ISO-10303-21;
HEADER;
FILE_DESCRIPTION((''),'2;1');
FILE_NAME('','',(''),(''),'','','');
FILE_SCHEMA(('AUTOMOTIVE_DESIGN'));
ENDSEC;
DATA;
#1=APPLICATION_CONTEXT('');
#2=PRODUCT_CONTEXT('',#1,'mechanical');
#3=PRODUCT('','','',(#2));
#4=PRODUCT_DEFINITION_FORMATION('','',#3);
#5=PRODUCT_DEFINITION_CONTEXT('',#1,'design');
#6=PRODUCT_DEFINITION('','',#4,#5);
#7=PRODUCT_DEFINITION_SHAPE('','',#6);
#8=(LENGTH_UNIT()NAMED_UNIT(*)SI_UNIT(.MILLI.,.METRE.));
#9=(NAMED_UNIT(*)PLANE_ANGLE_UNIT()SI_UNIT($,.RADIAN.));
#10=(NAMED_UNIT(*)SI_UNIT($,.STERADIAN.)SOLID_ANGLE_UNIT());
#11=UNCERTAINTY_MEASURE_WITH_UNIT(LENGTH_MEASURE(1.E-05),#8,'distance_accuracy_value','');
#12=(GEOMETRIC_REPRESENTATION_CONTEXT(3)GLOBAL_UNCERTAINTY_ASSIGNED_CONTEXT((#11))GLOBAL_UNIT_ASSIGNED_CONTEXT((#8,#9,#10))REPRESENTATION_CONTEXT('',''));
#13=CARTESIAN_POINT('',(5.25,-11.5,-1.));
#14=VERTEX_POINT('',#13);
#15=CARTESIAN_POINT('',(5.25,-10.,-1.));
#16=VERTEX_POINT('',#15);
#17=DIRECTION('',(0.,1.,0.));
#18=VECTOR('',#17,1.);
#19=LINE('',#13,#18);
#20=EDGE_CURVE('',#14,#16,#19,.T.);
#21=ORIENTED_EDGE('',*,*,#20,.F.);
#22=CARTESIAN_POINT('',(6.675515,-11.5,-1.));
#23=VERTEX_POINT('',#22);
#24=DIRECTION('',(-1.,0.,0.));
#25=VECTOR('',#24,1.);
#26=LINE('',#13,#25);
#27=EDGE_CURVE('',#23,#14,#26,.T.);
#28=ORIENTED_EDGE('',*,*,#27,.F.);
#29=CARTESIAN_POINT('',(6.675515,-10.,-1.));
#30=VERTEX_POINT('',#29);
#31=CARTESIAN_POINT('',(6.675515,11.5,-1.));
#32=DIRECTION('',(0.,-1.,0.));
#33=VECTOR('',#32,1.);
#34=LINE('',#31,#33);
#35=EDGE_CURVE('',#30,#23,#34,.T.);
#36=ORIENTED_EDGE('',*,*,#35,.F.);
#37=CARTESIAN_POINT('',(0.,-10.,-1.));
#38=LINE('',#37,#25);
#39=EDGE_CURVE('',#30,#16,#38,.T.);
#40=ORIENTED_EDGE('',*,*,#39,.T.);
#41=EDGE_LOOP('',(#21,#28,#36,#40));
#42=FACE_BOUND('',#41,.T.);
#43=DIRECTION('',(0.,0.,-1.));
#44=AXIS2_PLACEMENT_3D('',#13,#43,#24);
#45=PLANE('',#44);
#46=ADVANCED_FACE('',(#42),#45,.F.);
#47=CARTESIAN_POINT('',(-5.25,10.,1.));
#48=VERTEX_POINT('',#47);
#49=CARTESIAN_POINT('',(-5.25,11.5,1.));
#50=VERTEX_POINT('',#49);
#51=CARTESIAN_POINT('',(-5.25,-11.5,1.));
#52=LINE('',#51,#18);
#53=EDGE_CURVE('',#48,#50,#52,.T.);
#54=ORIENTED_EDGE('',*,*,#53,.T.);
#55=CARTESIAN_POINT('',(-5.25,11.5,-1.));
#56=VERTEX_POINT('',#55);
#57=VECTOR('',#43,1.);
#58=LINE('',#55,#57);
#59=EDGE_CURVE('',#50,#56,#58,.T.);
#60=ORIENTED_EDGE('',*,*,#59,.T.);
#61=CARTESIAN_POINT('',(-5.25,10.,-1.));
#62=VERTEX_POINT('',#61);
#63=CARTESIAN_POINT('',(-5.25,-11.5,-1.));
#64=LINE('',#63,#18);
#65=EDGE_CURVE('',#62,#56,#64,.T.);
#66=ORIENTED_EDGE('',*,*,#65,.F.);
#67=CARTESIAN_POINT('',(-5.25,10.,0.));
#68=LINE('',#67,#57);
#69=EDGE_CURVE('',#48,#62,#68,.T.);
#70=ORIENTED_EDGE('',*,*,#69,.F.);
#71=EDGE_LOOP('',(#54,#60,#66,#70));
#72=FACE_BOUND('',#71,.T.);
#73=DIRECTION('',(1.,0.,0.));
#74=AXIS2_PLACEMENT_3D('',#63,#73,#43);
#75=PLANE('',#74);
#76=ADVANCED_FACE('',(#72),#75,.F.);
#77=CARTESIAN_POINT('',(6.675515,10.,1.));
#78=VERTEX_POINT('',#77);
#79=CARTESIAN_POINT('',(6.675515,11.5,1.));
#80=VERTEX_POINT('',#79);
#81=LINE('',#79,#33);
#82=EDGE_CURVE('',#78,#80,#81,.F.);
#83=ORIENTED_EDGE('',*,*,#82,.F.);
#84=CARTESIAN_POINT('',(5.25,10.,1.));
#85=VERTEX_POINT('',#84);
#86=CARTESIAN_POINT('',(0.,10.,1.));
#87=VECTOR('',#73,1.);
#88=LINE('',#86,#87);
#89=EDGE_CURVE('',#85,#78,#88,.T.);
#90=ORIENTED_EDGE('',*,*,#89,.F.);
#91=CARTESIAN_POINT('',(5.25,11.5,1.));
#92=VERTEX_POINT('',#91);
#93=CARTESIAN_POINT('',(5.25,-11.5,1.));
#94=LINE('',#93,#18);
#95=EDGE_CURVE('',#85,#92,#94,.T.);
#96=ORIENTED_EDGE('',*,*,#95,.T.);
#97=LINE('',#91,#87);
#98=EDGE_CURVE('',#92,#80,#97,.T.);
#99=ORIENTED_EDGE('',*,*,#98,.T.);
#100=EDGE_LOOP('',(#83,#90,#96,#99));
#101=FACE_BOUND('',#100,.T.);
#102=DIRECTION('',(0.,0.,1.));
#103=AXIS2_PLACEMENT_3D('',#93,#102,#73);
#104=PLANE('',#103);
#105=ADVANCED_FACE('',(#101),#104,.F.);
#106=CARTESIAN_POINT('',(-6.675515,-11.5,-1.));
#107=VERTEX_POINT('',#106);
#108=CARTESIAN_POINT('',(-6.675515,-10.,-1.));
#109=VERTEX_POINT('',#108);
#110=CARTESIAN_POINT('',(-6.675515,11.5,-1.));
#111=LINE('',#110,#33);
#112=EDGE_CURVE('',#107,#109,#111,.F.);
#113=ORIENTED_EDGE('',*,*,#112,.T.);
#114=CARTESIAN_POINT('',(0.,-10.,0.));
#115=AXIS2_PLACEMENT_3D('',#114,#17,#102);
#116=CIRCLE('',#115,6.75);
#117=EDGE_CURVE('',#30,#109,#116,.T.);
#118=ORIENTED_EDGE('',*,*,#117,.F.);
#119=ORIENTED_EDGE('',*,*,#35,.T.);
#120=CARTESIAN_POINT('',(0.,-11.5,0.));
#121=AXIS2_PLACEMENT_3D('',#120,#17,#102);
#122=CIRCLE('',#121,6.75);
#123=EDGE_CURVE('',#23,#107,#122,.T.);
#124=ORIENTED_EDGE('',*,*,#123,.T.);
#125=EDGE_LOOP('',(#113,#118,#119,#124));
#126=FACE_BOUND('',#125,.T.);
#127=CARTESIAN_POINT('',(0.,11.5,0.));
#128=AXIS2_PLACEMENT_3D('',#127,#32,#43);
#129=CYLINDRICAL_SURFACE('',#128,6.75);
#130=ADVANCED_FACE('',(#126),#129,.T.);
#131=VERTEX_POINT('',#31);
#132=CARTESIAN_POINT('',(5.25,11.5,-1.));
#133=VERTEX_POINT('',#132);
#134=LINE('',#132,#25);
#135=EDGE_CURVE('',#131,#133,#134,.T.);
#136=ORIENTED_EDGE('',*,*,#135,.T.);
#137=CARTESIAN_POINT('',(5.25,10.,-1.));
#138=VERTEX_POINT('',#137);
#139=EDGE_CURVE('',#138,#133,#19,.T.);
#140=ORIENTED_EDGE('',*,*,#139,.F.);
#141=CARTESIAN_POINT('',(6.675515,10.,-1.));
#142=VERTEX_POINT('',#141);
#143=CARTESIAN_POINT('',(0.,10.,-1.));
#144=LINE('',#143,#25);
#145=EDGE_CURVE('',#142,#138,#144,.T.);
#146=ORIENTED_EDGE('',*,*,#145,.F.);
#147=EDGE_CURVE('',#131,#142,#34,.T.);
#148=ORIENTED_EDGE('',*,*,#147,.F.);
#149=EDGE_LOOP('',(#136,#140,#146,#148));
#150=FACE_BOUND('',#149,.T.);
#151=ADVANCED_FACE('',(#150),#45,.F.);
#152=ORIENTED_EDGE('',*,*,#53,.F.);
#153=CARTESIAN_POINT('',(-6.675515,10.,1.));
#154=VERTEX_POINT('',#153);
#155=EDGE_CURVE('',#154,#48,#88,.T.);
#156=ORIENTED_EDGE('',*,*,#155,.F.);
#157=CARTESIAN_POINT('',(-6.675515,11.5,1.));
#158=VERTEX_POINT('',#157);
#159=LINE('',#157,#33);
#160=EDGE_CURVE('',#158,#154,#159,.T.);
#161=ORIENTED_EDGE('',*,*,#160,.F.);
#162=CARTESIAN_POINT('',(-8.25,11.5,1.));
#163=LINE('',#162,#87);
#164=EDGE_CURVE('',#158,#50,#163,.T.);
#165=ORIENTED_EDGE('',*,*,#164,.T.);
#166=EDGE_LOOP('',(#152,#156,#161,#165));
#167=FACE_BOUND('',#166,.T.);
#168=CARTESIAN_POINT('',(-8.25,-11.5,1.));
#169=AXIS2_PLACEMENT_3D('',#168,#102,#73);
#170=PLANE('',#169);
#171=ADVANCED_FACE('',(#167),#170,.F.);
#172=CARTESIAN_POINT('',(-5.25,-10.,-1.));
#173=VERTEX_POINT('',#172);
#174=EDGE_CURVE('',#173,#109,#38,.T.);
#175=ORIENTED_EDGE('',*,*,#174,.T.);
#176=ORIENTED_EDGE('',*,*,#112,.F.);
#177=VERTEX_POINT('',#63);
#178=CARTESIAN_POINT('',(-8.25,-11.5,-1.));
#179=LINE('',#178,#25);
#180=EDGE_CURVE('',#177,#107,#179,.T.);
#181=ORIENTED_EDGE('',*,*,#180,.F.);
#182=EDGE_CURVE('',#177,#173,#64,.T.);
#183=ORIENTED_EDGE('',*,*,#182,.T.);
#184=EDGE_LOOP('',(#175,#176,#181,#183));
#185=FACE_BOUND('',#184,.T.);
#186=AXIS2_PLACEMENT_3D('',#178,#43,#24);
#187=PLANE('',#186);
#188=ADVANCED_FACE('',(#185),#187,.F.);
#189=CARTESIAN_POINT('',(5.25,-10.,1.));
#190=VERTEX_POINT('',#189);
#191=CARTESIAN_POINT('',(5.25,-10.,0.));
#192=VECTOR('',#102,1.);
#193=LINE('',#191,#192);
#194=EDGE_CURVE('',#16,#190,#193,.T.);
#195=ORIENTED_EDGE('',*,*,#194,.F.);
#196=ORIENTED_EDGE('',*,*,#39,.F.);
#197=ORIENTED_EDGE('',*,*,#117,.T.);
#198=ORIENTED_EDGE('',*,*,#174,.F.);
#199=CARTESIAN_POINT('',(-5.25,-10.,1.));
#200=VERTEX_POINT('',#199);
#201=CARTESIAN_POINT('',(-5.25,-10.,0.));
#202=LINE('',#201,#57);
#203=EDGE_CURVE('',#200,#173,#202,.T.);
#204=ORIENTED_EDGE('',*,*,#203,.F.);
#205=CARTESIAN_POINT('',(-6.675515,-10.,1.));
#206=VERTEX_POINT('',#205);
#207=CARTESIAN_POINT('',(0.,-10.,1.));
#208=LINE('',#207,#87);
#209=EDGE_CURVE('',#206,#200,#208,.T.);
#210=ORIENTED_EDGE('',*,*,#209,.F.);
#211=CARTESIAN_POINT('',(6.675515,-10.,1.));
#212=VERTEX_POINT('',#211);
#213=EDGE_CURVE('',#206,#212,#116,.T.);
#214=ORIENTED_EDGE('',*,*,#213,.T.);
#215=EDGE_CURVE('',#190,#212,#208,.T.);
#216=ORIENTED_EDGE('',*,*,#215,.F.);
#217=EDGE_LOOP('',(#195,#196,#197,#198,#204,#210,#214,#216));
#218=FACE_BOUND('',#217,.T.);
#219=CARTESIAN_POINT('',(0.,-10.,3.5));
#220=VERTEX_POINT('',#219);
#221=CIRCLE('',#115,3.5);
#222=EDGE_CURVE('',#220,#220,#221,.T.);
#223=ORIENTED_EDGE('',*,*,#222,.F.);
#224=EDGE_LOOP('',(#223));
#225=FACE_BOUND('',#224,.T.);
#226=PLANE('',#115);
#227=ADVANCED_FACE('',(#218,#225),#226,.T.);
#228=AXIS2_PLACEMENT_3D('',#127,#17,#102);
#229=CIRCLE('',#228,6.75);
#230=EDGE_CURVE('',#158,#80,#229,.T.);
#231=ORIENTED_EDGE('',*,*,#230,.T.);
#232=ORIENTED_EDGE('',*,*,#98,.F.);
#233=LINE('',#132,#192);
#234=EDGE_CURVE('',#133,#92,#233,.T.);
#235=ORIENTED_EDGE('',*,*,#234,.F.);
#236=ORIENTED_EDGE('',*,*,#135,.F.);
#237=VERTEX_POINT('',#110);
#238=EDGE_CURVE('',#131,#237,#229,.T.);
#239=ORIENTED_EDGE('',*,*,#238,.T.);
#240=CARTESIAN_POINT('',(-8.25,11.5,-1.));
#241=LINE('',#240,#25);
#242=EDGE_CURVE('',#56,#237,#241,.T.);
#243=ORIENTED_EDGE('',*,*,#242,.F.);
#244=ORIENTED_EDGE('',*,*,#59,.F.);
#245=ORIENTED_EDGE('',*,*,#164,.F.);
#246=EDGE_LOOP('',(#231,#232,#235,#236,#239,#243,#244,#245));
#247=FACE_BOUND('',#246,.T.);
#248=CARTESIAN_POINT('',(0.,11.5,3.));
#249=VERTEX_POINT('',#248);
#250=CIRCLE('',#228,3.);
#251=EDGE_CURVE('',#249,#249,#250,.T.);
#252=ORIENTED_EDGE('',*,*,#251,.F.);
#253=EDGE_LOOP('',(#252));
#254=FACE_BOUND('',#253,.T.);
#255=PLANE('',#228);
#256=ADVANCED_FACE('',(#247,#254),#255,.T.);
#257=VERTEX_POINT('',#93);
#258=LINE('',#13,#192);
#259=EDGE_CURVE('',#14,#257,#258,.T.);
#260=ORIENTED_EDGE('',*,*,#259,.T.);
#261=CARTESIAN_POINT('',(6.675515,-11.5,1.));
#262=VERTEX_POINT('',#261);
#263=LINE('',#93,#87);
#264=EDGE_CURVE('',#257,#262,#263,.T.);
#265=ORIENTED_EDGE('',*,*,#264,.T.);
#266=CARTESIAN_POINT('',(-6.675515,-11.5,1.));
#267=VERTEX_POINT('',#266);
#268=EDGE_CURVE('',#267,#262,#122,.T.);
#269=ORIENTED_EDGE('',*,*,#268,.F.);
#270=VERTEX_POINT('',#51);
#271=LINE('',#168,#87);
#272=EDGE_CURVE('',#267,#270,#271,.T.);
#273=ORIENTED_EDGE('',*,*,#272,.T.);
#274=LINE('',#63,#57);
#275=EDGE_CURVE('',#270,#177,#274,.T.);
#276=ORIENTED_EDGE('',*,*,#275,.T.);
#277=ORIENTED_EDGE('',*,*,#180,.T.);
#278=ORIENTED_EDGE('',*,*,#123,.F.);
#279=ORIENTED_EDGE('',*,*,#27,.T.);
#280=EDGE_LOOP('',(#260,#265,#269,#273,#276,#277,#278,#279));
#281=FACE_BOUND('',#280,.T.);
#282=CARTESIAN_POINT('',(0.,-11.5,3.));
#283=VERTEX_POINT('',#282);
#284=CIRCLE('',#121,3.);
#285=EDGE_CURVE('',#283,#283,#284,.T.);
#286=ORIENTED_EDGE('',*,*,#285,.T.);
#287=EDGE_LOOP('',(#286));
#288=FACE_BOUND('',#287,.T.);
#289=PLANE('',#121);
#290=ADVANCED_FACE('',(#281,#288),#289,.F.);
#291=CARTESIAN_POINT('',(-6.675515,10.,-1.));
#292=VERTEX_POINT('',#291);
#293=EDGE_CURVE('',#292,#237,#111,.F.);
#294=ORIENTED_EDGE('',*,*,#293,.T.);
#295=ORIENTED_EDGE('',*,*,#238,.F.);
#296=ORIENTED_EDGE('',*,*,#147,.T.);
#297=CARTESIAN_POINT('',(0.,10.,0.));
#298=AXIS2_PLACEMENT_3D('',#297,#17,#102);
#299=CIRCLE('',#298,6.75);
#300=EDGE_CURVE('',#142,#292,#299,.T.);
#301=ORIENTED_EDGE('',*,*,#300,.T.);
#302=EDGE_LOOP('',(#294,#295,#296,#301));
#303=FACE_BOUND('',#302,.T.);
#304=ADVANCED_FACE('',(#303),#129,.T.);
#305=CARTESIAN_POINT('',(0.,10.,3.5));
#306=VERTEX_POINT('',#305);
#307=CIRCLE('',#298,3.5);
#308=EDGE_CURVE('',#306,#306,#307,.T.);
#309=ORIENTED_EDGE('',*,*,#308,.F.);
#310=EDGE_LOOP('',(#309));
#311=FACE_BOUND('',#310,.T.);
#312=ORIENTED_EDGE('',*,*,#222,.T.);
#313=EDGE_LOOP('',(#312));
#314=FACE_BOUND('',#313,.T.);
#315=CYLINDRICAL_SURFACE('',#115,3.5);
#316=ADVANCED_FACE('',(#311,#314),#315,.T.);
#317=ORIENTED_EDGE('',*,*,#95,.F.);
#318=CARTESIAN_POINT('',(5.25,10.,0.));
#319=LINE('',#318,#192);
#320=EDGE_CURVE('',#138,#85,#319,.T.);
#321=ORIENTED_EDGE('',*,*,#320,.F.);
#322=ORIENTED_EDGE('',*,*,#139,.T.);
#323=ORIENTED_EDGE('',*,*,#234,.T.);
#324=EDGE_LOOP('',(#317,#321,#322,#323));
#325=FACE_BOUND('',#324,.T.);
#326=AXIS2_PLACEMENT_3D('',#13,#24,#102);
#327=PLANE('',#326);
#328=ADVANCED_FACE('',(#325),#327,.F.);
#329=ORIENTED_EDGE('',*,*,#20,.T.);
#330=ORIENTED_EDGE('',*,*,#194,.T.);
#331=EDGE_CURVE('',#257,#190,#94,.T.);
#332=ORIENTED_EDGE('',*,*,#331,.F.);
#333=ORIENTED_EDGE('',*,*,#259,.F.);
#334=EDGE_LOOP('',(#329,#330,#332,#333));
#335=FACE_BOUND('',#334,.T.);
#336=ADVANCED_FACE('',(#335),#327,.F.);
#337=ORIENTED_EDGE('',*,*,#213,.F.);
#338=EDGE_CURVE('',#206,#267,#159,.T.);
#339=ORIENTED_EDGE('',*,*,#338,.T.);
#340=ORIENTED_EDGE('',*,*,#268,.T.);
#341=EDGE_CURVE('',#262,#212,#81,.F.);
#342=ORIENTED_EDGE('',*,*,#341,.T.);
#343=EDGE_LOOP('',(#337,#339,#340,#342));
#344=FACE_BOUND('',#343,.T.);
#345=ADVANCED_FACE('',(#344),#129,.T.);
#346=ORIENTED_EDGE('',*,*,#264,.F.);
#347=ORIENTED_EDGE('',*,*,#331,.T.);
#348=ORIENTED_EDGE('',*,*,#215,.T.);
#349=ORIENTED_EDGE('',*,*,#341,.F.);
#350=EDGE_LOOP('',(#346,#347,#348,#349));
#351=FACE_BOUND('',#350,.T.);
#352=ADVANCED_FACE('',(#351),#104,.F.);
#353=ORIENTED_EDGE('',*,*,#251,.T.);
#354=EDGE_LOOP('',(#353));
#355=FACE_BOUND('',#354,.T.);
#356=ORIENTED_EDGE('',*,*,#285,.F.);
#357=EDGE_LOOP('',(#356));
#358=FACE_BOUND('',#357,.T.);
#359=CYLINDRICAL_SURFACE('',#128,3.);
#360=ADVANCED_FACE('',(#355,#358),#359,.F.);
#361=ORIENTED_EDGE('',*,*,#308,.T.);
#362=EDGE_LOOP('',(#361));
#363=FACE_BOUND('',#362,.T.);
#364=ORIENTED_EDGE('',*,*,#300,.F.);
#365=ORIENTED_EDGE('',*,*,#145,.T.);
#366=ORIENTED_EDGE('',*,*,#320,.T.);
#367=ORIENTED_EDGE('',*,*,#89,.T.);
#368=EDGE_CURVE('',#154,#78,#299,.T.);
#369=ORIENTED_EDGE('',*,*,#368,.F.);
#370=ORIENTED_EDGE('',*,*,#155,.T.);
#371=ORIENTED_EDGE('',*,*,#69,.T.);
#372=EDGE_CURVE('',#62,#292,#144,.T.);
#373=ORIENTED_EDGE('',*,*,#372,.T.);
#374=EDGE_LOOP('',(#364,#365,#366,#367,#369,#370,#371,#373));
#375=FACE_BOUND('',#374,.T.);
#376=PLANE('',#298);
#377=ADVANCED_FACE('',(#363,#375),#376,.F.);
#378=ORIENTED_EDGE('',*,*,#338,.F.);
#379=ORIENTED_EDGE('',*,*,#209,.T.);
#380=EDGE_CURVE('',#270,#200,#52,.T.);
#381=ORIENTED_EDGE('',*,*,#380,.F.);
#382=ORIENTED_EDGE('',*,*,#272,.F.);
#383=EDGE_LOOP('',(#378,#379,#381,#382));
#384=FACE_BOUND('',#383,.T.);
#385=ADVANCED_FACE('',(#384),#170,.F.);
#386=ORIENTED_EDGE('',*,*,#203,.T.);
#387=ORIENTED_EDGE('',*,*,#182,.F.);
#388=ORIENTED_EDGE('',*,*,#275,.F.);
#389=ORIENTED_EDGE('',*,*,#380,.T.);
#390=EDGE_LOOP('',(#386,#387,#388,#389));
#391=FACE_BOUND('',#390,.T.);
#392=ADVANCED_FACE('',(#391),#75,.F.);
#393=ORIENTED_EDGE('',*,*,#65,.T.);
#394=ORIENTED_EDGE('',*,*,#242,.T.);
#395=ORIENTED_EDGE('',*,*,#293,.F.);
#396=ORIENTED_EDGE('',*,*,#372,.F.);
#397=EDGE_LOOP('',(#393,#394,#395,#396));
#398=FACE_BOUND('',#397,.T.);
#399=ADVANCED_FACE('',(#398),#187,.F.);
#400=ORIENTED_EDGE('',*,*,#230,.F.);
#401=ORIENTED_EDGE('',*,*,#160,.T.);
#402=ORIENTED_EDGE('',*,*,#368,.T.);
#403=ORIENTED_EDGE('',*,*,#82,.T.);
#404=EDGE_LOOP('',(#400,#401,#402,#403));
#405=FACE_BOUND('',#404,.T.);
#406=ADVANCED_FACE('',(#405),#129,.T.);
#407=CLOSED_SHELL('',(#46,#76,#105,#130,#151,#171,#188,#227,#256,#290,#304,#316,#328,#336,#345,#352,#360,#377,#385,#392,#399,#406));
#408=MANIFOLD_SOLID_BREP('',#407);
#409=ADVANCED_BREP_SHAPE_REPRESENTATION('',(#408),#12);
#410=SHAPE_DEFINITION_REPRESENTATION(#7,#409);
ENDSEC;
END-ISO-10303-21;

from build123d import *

# Parameters (mm, degrees)
SKETCH_1_R          = 6.75
SKETCH_1_R_2        = 3
EXTRUDE_1_DEPTH     = 11.5
SKETCH_2_R          = 11.31533916
SKETCH_2_R_2        = 3.5
CUT_EXTRUDE_1_DEPTH = 10
SKETCH_4_W          = 3
SKETCH_4_H          = 2
CUT_EXTRUDE_2_DEPTH = 25.90230913


with BuildPart() as part:
    # 草图1 → 凸台-拉伸1 (new, symmetric)
    with BuildSketch(Plane(origin=(0, 0, 0), x_dir=(1, 0, 0), z_dir=(0, 1, 0))):
        with Locations(Location((0, 0, 0), (0, 0, 270))):
            Circle(SKETCH_1_R)
        with Locations(Location((0, 0, 0), (0, 0, 270))):
            Circle(SKETCH_1_R_2, mode=Mode.SUBTRACT)
    extrude(amount=EXTRUDE_1_DEPTH, both=True)

    # 草图2 → 切除-拉伸1 (cut, symmetric)
    with BuildSketch(Plane(origin=(0, 0, 0), x_dir=(1, 0, 0), z_dir=(0, 1, 0))):
        Circle(SKETCH_2_R)
        with Locations(Location((0, 0, 0), (0, 0, 270))):
            Circle(SKETCH_2_R_2, mode=Mode.SUBTRACT)
    extrude(amount=CUT_EXTRUDE_1_DEPTH, both=True, mode=Mode.SUBTRACT)

    # 草图4 → 切除-拉伸2 (cut, through all)
    with BuildSketch(Plane(origin=(0, 11.5, 0), x_dir=(1, 0, 0), z_dir=(0, 1, 0))):
        with Locations((-6.75, 0)):
            Rectangle(SKETCH_4_W, SKETCH_4_H)
        with Locations((6.75, 0)):
            Rectangle(SKETCH_4_W, SKETCH_4_H)
    extrude(amount=-CUT_EXTRUDE_2_DEPTH, mode=Mode.SUBTRACT)


solid = part.part
